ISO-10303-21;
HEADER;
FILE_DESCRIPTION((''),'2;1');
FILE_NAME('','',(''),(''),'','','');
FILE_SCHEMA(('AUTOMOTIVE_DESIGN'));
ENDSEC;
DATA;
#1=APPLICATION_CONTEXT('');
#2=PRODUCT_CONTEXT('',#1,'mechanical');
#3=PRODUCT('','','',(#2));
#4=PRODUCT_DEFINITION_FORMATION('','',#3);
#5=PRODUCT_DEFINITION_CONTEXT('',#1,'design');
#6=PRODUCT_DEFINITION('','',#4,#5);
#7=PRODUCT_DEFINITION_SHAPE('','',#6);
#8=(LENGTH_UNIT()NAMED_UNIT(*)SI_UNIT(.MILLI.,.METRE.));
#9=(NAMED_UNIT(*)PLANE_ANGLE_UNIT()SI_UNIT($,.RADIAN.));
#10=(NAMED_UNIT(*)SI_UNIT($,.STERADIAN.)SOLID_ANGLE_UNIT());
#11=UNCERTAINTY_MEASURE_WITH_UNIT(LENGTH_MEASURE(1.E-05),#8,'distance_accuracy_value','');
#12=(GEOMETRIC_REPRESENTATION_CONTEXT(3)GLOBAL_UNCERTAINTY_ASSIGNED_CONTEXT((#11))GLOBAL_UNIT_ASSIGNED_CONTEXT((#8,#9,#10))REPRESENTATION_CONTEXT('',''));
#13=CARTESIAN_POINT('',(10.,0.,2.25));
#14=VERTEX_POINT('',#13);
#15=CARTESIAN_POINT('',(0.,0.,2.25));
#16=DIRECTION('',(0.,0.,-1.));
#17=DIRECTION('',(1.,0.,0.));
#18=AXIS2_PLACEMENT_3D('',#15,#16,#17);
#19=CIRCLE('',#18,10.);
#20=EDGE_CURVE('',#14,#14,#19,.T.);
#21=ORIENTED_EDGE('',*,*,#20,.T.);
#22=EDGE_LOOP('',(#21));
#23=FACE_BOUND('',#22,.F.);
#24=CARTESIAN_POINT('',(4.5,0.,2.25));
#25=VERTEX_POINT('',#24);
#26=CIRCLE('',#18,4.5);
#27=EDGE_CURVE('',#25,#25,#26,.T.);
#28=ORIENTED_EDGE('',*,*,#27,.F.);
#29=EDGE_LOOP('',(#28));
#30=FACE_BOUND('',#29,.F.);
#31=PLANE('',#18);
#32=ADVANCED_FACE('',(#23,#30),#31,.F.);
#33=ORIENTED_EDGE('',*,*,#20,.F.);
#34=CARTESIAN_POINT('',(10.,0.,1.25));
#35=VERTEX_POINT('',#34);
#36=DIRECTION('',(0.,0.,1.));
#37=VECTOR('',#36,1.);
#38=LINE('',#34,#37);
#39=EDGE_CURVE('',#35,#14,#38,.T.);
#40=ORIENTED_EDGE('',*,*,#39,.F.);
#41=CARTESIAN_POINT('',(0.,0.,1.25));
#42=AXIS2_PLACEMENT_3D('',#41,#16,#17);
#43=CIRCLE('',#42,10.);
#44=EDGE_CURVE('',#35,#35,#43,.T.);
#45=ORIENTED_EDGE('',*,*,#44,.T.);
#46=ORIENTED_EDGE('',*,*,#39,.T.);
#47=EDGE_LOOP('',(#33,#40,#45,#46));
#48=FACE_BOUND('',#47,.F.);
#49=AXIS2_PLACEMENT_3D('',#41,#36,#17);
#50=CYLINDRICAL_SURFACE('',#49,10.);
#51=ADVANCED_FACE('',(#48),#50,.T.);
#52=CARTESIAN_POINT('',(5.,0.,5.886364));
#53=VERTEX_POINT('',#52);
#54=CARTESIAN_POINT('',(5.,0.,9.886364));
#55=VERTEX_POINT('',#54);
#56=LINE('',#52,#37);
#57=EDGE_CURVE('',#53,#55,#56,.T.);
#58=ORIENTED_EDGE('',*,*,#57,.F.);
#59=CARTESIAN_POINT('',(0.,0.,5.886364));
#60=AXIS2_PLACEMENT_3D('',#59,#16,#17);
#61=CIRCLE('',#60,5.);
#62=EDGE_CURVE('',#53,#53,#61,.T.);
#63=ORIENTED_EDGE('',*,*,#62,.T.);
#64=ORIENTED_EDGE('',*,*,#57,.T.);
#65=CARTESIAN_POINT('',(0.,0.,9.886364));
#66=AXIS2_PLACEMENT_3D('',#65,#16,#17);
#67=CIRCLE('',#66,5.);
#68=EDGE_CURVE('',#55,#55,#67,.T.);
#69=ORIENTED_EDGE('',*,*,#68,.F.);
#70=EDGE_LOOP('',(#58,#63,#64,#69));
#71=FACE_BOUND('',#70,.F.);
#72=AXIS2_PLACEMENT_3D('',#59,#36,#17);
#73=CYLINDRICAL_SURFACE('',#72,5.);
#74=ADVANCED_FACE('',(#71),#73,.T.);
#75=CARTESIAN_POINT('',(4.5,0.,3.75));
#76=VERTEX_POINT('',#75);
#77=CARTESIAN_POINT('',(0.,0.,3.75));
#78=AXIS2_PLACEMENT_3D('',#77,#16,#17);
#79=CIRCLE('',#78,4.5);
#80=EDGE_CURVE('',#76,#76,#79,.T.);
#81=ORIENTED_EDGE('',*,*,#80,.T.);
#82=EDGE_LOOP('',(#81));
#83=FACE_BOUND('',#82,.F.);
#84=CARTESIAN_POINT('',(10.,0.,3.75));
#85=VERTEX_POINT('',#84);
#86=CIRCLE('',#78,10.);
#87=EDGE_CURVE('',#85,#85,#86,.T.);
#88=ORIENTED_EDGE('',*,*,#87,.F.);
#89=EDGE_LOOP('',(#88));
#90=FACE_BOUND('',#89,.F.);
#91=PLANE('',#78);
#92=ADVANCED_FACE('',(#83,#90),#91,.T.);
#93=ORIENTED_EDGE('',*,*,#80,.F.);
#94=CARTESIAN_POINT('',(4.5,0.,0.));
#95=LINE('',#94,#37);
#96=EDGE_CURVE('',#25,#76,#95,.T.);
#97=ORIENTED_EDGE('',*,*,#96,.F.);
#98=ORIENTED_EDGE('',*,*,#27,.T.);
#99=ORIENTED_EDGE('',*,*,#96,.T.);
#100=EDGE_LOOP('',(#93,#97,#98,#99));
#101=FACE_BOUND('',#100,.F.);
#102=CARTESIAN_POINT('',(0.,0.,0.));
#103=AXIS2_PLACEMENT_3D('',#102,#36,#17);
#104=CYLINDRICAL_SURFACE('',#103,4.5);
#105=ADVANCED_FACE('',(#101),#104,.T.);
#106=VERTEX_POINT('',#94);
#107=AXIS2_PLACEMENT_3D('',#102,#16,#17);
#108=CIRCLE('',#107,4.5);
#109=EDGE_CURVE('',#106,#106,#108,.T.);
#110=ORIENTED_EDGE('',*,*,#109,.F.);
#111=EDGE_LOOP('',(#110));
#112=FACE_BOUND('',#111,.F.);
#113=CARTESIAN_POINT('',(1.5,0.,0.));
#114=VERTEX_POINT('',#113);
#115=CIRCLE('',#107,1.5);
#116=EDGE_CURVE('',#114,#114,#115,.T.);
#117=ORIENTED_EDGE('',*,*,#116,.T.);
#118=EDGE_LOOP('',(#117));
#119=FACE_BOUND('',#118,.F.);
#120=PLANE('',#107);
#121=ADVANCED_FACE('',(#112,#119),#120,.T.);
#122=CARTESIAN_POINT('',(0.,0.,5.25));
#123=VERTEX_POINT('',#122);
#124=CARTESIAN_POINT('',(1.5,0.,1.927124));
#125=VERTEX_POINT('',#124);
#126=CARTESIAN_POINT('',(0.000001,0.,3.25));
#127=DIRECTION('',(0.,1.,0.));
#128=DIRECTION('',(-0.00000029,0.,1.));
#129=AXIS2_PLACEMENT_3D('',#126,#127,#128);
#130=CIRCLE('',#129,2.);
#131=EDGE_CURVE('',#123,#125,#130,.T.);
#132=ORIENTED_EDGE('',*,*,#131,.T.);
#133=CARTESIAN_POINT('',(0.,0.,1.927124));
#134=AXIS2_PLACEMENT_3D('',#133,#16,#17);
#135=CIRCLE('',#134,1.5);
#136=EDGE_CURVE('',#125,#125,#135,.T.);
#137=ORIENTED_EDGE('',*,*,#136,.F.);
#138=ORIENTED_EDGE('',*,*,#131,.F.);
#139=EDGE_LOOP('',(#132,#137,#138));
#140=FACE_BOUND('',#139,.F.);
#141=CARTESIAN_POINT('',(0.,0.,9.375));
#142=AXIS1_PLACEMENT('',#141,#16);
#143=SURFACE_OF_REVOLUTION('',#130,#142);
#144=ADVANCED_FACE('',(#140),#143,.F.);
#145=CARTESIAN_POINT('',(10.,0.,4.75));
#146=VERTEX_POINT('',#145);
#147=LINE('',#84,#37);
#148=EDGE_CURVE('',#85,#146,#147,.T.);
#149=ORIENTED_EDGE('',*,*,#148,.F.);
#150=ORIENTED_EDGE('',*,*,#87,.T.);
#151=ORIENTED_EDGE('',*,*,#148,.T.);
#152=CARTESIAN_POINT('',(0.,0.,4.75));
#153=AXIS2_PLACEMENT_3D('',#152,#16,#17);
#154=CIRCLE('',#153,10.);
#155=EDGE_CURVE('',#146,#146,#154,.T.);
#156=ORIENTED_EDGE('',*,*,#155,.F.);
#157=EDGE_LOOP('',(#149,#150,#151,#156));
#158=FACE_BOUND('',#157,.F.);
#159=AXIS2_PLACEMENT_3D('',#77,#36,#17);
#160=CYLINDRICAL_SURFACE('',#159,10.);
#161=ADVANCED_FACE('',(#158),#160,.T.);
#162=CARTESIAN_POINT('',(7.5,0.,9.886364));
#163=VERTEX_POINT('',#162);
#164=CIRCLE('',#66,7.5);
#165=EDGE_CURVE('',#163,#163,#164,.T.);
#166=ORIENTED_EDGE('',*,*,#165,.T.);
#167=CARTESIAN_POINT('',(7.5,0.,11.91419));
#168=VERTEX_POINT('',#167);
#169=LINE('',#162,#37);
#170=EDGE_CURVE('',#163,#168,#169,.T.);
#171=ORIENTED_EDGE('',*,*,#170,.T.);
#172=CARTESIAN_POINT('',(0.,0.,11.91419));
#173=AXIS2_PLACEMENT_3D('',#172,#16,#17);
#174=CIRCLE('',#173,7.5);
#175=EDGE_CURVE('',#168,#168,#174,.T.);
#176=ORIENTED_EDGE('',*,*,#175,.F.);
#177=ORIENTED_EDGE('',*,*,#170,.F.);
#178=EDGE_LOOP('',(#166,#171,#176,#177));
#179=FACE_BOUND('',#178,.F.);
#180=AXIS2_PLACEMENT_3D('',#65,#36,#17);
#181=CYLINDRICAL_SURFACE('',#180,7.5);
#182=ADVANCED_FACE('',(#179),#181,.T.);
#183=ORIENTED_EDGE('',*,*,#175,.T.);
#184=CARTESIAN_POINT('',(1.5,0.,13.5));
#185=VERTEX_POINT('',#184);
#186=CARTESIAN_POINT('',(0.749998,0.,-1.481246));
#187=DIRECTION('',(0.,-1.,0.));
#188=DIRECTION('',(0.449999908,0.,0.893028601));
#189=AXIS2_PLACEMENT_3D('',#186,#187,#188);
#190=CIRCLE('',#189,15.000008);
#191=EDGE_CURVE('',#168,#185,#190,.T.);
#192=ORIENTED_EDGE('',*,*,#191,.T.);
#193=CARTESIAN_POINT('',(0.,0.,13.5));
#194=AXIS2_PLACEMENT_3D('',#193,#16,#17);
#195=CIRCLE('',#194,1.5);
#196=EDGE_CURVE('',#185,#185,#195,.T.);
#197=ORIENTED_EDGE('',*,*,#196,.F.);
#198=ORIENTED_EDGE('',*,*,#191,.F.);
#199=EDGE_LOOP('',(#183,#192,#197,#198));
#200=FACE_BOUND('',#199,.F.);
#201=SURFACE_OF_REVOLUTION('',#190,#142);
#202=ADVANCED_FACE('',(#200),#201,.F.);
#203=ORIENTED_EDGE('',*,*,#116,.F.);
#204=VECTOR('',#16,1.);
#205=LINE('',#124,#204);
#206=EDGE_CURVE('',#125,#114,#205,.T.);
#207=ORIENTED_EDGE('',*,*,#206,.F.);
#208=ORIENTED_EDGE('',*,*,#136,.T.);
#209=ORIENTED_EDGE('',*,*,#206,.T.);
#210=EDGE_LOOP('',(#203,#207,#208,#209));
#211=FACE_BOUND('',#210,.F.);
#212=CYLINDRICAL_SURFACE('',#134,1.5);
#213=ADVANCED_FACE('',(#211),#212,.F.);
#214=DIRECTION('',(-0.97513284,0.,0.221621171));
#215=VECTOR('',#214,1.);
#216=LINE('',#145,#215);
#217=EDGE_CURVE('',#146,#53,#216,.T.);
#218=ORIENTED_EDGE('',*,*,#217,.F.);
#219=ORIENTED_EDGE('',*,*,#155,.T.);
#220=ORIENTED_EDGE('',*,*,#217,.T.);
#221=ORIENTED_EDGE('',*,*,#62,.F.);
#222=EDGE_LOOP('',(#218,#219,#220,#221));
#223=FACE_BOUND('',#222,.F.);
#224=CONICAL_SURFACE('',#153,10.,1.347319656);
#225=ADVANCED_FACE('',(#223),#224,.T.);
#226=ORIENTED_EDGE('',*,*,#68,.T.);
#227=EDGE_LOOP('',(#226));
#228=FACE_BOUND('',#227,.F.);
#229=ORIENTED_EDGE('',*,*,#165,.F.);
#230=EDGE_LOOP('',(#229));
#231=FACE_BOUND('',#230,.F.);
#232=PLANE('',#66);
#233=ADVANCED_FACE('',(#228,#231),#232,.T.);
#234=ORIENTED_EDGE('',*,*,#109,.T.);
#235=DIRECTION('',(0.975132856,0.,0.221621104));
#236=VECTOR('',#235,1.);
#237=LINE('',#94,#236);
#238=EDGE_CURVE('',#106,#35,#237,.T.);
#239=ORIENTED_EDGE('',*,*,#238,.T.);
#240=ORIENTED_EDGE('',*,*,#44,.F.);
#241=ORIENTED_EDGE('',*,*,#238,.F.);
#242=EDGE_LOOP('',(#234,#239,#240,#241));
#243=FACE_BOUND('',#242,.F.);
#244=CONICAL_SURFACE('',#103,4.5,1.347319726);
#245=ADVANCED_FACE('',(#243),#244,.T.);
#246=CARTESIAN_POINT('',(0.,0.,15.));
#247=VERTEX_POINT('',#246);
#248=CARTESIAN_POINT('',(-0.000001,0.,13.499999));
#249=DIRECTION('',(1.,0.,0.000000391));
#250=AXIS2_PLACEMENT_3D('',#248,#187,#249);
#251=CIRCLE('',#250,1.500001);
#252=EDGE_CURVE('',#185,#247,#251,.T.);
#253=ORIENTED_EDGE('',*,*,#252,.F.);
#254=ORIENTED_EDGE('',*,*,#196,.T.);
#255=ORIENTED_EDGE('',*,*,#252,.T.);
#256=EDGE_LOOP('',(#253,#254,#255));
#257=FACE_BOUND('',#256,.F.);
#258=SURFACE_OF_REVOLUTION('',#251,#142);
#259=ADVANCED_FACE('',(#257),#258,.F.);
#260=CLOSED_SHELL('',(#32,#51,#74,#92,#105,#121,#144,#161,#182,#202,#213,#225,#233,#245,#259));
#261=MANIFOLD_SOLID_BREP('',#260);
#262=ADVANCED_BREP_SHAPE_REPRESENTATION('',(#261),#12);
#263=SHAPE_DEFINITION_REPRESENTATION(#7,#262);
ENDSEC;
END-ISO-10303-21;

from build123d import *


with BuildPart() as f1:
    # F0 (on Front) → F1 (revolve)
    with BuildSketch(Plane.XZ):
        with BuildLine():
            ThreePointArc((7.5, 11.91419), (4.58291, 13.020789), (1.5, 13.5))
            ThreePointArc((1.5, 13.5), (1.06066, 14.56066), (0, 15))
            Line((0, 15), (0, 13.5))
            Line((0, 13.5), (0, 5.25))
            ThreePointArc((0, 5.25), (1.822876, 4.072876), (1.5, 1.927124))
            Line((1.5, 1.927124), (1.5, 0))
            Line((1.5, 0), (4.5, 0))
            Line((4.5, 0), (4.5, 2.25))
            Line((4.5, 2.25), (4.5, 3.75))
            Line((4.5, 3.75), (10, 3.75))
            Line((10, 3.75), (10, 4.75))
            Line((10, 4.75), (5, 5.886364))
            Line((5, 5.886364), (5, 9.886364))
            Line((5, 9.886364), (7.5, 9.886364))
            Line((7.5, 9.886364), (7.5, 11.91419))
        make_face()
        Polygon((4.5, 2.25), (4.5, 0), (10, 1.25), (10, 2.25), align=None)
    revolve(axis=Axis((0, 0, 9.375), (0, 0, -1)))


solid = f1.part
